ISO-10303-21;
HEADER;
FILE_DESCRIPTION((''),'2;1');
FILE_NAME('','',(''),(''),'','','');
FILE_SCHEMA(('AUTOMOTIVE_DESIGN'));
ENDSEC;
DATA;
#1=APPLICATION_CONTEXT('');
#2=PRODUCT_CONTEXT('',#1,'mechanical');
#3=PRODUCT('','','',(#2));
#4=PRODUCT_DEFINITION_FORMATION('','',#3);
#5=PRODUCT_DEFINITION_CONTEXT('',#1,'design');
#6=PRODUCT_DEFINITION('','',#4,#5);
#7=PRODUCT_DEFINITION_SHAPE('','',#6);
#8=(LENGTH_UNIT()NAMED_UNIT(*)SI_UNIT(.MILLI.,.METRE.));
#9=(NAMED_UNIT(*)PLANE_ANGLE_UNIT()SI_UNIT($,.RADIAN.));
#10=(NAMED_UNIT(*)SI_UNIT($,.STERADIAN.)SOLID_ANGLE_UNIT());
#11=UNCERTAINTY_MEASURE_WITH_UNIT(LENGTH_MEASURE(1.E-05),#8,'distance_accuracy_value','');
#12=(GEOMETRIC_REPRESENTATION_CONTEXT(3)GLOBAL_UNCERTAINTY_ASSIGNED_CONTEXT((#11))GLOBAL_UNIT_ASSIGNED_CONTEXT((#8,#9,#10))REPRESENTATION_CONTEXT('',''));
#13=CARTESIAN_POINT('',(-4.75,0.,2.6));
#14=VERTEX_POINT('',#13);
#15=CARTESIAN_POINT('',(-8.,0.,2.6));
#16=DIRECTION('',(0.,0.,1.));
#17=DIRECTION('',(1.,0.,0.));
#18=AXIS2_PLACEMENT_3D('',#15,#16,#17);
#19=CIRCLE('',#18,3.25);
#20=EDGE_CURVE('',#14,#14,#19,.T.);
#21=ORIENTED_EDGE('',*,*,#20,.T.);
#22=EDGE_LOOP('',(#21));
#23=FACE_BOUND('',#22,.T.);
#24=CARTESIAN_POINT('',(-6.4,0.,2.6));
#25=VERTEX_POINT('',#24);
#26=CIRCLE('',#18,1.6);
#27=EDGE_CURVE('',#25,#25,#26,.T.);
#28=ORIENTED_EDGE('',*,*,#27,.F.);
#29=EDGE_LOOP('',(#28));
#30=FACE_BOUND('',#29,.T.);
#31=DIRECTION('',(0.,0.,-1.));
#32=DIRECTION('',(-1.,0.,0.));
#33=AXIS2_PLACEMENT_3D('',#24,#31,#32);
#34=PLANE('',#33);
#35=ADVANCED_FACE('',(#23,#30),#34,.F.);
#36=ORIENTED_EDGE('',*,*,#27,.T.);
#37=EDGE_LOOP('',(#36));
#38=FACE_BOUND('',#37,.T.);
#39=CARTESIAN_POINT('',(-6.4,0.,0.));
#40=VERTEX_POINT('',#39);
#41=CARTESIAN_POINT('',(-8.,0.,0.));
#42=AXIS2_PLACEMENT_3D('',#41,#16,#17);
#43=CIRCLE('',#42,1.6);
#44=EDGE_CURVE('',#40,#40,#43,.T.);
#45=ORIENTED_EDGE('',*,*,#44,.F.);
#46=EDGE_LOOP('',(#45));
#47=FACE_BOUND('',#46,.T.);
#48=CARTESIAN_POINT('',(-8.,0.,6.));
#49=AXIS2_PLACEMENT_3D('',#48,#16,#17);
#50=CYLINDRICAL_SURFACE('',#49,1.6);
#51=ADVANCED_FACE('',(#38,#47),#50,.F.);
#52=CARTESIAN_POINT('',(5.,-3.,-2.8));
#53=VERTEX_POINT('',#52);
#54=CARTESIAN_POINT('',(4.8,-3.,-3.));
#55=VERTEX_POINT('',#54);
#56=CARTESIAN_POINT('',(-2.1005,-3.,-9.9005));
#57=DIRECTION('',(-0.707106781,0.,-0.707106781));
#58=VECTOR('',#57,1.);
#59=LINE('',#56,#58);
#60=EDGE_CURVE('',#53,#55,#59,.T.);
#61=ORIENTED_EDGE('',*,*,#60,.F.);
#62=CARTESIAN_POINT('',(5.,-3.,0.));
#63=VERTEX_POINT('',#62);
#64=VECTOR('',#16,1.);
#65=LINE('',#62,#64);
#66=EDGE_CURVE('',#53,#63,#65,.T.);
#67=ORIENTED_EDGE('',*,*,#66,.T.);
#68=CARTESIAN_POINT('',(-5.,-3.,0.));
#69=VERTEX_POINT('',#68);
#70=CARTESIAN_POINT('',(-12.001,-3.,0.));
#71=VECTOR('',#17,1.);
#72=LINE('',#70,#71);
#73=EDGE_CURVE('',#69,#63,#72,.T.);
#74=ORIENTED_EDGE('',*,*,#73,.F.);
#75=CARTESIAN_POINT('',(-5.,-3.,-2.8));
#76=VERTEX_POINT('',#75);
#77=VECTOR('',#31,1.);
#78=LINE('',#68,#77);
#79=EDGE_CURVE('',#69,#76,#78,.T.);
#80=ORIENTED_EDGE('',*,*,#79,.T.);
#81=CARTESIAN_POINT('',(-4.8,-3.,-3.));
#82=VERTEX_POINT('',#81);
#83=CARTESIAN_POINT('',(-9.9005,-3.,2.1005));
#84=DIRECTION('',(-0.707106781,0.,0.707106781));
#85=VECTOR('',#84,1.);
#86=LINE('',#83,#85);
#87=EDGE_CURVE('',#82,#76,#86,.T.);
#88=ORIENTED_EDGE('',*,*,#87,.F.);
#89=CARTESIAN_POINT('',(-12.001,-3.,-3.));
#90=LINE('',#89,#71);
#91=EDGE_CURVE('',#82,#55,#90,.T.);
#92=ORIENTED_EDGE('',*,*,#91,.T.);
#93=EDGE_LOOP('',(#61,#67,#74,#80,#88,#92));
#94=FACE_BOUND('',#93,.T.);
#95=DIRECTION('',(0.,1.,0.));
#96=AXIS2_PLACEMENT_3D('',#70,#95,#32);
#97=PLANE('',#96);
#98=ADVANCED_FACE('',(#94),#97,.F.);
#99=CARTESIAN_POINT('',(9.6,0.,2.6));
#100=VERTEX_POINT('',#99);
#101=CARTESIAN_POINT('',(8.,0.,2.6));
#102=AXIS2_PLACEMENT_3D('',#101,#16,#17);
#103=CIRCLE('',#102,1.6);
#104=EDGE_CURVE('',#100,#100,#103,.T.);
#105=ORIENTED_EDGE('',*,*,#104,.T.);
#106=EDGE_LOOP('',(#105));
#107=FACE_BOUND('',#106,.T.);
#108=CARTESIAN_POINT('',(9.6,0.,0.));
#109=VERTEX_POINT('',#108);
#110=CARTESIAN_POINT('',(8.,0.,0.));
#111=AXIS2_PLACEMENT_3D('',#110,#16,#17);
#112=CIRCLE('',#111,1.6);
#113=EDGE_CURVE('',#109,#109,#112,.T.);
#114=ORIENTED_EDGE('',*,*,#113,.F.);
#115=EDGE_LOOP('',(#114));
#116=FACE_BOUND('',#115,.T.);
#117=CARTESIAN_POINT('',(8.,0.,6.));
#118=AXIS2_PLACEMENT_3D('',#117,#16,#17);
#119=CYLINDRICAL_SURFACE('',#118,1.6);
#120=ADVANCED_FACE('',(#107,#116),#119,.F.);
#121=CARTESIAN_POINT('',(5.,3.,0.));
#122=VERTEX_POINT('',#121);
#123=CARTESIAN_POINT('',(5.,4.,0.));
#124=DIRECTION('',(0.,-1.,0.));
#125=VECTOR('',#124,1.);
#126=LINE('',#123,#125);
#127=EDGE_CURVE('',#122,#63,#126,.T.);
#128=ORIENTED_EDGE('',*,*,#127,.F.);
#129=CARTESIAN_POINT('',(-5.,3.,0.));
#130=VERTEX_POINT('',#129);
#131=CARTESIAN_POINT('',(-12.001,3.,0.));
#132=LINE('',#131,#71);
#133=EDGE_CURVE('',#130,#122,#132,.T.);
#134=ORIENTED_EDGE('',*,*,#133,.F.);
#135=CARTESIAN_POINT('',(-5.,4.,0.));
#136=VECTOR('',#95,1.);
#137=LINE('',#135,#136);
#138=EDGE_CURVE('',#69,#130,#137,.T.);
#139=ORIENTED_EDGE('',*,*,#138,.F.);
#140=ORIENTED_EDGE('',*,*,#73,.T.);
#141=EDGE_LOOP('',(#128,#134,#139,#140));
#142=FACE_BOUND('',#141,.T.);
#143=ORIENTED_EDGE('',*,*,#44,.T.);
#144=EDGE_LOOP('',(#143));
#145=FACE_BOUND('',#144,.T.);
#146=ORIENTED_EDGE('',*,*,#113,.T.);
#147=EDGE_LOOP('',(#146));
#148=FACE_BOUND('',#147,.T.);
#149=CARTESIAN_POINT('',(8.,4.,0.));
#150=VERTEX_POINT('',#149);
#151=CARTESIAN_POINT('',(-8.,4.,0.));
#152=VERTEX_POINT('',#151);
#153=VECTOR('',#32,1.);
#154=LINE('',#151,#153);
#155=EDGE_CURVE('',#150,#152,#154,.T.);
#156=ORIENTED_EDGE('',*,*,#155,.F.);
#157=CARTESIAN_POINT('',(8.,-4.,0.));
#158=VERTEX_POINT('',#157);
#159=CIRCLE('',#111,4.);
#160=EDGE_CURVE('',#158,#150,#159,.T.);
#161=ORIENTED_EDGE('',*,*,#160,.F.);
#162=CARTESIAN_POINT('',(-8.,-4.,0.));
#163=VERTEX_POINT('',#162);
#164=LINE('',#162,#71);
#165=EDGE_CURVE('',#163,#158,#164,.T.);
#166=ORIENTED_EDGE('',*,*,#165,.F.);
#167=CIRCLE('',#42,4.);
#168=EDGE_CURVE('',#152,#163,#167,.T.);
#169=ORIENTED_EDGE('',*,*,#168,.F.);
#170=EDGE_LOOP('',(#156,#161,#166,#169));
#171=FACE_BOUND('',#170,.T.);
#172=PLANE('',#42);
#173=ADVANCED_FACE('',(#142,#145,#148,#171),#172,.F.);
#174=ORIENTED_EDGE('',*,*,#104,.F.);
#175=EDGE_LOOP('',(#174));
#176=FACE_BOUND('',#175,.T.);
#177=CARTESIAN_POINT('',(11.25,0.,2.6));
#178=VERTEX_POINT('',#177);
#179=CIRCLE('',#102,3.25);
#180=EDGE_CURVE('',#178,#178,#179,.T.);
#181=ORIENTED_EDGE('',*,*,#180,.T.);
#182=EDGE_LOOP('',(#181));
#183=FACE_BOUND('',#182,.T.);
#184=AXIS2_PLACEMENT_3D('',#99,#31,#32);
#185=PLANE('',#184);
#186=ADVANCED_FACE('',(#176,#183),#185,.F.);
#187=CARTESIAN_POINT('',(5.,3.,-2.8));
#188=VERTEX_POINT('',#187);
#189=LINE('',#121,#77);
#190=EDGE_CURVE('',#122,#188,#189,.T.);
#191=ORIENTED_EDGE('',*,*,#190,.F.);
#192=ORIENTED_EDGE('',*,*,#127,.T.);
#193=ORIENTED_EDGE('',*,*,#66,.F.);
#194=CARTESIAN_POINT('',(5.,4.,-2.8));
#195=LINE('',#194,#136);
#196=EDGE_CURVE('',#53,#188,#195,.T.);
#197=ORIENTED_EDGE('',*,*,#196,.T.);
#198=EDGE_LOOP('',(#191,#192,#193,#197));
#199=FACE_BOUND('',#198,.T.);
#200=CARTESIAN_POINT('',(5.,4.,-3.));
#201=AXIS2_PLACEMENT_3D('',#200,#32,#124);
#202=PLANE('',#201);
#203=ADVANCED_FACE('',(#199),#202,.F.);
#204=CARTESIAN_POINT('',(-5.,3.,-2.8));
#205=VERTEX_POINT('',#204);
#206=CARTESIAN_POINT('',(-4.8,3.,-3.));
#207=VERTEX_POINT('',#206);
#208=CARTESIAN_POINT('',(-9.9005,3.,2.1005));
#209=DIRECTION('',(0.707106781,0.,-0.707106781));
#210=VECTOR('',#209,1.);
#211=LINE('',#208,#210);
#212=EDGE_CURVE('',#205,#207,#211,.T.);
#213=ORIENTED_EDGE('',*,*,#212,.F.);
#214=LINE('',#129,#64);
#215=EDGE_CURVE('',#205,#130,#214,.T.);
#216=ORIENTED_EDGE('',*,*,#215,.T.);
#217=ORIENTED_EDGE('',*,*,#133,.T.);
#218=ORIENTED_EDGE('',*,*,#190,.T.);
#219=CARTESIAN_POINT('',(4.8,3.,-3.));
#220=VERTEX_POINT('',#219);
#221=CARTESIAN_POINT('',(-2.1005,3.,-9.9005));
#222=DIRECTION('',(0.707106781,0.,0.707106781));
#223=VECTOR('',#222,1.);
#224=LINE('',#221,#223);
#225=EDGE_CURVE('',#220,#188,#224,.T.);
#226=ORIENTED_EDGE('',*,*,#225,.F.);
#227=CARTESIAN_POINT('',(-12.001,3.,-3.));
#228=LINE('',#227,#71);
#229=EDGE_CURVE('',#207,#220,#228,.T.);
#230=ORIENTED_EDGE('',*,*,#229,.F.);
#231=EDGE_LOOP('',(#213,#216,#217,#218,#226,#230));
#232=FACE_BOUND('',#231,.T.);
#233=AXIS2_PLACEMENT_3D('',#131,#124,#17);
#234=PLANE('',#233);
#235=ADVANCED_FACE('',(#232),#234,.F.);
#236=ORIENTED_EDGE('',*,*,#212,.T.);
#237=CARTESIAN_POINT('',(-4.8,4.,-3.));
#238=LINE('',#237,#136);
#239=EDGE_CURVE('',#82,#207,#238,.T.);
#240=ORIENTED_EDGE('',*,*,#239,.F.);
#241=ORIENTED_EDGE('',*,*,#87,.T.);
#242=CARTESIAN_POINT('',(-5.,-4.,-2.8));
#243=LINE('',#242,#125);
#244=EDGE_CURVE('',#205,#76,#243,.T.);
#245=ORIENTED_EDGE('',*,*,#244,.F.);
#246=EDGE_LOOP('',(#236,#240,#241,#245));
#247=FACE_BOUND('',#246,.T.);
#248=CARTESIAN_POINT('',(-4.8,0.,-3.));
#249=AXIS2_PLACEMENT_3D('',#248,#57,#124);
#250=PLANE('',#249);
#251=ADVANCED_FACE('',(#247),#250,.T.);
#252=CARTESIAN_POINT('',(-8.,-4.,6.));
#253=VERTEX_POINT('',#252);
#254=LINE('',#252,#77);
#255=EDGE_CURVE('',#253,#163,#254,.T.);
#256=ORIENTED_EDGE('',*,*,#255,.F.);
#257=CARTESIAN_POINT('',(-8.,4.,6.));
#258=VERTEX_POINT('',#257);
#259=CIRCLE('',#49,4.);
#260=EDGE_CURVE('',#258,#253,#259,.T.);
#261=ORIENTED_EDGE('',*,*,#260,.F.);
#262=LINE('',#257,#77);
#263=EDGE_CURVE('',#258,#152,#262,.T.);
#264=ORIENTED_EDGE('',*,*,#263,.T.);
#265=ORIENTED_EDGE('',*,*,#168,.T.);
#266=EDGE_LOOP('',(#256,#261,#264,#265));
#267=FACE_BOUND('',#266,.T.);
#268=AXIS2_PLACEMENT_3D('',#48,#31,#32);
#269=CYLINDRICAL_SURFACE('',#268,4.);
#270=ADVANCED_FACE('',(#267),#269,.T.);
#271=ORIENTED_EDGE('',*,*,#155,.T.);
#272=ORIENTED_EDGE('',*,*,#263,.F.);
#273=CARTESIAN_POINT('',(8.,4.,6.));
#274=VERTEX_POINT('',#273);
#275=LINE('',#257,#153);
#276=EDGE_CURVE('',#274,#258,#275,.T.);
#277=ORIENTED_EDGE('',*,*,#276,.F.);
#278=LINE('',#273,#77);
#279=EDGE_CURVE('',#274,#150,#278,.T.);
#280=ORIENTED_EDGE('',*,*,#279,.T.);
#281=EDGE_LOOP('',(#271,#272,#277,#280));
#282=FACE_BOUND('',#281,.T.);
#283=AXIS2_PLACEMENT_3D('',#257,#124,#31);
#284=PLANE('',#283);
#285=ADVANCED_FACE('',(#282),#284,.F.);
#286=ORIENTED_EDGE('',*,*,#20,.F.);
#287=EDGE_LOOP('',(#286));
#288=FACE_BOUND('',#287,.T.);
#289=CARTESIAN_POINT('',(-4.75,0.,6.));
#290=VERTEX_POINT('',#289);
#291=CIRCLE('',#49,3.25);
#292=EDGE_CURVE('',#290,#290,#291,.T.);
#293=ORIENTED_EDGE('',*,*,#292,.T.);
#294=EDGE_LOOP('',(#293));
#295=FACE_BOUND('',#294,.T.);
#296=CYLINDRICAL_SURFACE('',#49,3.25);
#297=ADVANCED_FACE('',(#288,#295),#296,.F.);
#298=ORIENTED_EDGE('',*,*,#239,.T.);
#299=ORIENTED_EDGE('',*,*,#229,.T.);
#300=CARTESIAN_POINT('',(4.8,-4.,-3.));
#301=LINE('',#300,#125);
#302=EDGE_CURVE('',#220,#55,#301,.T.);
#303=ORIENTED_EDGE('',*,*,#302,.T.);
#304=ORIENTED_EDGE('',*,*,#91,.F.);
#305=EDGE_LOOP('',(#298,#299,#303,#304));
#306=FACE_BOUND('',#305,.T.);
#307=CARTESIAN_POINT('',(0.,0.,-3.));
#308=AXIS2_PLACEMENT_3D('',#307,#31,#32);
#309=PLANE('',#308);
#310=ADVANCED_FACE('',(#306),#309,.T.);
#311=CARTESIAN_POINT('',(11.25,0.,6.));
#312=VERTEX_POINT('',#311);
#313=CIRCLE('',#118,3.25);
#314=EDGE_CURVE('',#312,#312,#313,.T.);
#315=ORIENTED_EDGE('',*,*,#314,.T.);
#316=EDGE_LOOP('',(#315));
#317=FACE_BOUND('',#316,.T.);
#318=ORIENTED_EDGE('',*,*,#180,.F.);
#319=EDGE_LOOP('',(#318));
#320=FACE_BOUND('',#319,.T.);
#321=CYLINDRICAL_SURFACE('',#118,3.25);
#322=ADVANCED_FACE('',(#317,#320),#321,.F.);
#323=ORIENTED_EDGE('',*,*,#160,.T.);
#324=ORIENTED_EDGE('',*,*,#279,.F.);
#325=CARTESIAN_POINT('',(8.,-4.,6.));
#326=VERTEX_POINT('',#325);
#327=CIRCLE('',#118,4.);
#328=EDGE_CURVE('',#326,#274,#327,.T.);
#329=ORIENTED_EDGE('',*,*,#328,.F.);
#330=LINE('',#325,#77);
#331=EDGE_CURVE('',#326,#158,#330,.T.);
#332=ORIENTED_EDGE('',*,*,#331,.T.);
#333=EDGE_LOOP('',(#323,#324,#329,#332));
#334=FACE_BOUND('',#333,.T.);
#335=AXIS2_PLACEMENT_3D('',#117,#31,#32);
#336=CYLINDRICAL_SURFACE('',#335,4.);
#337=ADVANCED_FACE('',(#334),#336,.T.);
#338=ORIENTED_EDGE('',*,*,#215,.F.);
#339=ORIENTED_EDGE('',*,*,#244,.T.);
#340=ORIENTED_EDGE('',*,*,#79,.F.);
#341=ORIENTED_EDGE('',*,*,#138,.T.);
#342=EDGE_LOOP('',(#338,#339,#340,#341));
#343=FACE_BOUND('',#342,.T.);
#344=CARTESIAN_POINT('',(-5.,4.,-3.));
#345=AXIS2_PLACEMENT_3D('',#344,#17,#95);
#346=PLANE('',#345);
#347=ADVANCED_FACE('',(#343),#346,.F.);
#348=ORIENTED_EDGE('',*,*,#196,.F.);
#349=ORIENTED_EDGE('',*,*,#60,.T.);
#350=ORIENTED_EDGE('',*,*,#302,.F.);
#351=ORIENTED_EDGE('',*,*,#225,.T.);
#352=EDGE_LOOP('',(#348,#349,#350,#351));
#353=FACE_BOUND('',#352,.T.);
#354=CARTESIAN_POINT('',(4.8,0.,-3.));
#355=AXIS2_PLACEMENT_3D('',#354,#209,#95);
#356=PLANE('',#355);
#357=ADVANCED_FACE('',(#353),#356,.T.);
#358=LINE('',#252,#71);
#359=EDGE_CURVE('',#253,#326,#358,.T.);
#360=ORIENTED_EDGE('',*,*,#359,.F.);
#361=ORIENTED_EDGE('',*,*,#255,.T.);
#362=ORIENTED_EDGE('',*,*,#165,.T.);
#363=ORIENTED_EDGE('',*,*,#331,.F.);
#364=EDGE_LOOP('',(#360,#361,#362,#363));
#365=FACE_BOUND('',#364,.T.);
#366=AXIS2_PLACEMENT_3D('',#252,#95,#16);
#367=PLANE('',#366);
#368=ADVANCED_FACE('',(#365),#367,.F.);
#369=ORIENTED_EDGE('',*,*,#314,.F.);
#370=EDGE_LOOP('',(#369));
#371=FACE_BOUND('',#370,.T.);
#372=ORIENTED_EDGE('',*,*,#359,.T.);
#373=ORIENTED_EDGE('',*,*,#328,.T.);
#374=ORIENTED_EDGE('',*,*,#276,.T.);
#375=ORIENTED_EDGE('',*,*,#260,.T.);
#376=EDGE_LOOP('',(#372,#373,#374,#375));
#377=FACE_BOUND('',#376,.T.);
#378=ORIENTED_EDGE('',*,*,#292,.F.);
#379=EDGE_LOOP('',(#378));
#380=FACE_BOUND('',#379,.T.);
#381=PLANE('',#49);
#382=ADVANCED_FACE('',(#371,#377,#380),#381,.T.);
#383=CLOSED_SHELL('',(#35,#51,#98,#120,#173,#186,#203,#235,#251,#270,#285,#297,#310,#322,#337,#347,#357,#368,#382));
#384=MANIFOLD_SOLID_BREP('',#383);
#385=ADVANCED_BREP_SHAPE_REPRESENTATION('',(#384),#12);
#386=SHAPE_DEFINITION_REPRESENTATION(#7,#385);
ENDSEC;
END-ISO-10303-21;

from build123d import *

# Parameters (mm, degrees)
BOSS_EXTRU_1_DEPTH                                 = 6
CHAMBRAGE_POUR_VIS_T_TE_HEXAGONALE_M31_D           = 3.2
CHAMBRAGE_POUR_VIS_T_TE_HEXAGONALE_M31_CBORE_D     = 6.5
CHAMBRAGE_POUR_VIS_T_TE_HEXAGONALE_M31_CBORE_DEPTH = 3.4
ESQUISSE6_W                                        = 10
ESQUISSE6_H                                        = 8
BOSS_EXTRU_2_DEPTH                                 = 3
CHANFREIN1_SIZE                                    = 0.2
ENL_V_MAT_EXTRU_5_REACH                            = 20.466
ESQUISSE10_W                                       = 3
ESQUISSE10_H                                       = 1


with BuildPart() as part:
    # Esquisse1 → Boss.-Extru.1 (new body)
    with BuildSketch(Plane.XY):
        with BuildLine():
            Line((-8, 4), (8, 4))
            ThreePointArc((8, 4), (12, 0), (8, -4))
            Line((8, -4), (-8, -4))
            ThreePointArc((-8, -4), (-12, 0), (-8, 4))
        make_face()
    extrude(amount=BOSS_EXTRU_1_DEPTH)

    # Chambrage pour vis à tête hexagonale M31 (through all)
    with Locations(Plane.XY.offset(6)):
        with Locations((-8, 0), (8, 0)):
            CounterBoreHole(CHAMBRAGE_POUR_VIS_T_TE_HEXAGONALE_M31_D / 2, CHAMBRAGE_POUR_VIS_T_TE_HEXAGONALE_M31_CBORE_D / 2, CHAMBRAGE_POUR_VIS_T_TE_HEXAGONALE_M31_CBORE_DEPTH)

    # Esquisse6 → Boss.-Extru.2 (add)
    with BuildSketch(Plane(origin=(0, 0, 0), x_dir=(-1, 0, 0), z_dir=(0, 0, -1))):
        Rectangle(ESQUISSE6_W, ESQUISSE6_H)
    extrude(amount=BOSS_EXTRU_2_DEPTH)

    # Chanfrein1
    chanfrein1_edges = [part.edges().sort_by_distance(p)[0] for p in [
        (5, 0, -3),
        (-5, 0, -3),
    ]]
    chamfer(chanfrein1_edges, length=CHANFREIN1_SIZE)

    # Esquisse10 → Enlèv. mat.-Extru.5 (cut, up to next)
    with BuildSketch(Plane(origin=(5, 0, 0), x_dir=(0, 0, -1), z_dir=(1, 0, 0)), mode=Mode.PRIVATE) as enl_v_mat_extru_5_sk1:
        with Locations((1.5, 3.5)):
            Rectangle(ESQUISSE10_W, ESQUISSE10_H)
    enl_v_mat_extru_5_tool1 = extrude(enl_v_mat_extru_5_sk1.sketch, amount=-ENL_V_MAT_EXTRU_5_REACH, mode=Mode.PRIVATE) & part.part
    # Esquisse10 → Enlèv. mat.-Extru.5 (cut, up to next)
    with BuildSketch(Plane(origin=(5, 0, 0), x_dir=(0, 0, -1), z_dir=(1, 0, 0)), mode=Mode.PRIVATE) as enl_v_mat_extru_5_sk2:
        with Locations((1.5, -3.5)):
            Rectangle(ESQUISSE10_W, ESQUISSE10_H)
    enl_v_mat_extru_5_tool2 = extrude(enl_v_mat_extru_5_sk2.sketch, amount=-ENL_V_MAT_EXTRU_5_REACH, mode=Mode.PRIVATE) & part.part
    add(enl_v_mat_extru_5_tool1.solids().sort_by_distance((5, 3.5, -1.5))[0], mode=Mode.SUBTRACT)
    add(enl_v_mat_extru_5_tool2.solids().sort_by_distance((5, -3.5, -1.5))[0], mode=Mode.SUBTRACT)


solid = part.part
